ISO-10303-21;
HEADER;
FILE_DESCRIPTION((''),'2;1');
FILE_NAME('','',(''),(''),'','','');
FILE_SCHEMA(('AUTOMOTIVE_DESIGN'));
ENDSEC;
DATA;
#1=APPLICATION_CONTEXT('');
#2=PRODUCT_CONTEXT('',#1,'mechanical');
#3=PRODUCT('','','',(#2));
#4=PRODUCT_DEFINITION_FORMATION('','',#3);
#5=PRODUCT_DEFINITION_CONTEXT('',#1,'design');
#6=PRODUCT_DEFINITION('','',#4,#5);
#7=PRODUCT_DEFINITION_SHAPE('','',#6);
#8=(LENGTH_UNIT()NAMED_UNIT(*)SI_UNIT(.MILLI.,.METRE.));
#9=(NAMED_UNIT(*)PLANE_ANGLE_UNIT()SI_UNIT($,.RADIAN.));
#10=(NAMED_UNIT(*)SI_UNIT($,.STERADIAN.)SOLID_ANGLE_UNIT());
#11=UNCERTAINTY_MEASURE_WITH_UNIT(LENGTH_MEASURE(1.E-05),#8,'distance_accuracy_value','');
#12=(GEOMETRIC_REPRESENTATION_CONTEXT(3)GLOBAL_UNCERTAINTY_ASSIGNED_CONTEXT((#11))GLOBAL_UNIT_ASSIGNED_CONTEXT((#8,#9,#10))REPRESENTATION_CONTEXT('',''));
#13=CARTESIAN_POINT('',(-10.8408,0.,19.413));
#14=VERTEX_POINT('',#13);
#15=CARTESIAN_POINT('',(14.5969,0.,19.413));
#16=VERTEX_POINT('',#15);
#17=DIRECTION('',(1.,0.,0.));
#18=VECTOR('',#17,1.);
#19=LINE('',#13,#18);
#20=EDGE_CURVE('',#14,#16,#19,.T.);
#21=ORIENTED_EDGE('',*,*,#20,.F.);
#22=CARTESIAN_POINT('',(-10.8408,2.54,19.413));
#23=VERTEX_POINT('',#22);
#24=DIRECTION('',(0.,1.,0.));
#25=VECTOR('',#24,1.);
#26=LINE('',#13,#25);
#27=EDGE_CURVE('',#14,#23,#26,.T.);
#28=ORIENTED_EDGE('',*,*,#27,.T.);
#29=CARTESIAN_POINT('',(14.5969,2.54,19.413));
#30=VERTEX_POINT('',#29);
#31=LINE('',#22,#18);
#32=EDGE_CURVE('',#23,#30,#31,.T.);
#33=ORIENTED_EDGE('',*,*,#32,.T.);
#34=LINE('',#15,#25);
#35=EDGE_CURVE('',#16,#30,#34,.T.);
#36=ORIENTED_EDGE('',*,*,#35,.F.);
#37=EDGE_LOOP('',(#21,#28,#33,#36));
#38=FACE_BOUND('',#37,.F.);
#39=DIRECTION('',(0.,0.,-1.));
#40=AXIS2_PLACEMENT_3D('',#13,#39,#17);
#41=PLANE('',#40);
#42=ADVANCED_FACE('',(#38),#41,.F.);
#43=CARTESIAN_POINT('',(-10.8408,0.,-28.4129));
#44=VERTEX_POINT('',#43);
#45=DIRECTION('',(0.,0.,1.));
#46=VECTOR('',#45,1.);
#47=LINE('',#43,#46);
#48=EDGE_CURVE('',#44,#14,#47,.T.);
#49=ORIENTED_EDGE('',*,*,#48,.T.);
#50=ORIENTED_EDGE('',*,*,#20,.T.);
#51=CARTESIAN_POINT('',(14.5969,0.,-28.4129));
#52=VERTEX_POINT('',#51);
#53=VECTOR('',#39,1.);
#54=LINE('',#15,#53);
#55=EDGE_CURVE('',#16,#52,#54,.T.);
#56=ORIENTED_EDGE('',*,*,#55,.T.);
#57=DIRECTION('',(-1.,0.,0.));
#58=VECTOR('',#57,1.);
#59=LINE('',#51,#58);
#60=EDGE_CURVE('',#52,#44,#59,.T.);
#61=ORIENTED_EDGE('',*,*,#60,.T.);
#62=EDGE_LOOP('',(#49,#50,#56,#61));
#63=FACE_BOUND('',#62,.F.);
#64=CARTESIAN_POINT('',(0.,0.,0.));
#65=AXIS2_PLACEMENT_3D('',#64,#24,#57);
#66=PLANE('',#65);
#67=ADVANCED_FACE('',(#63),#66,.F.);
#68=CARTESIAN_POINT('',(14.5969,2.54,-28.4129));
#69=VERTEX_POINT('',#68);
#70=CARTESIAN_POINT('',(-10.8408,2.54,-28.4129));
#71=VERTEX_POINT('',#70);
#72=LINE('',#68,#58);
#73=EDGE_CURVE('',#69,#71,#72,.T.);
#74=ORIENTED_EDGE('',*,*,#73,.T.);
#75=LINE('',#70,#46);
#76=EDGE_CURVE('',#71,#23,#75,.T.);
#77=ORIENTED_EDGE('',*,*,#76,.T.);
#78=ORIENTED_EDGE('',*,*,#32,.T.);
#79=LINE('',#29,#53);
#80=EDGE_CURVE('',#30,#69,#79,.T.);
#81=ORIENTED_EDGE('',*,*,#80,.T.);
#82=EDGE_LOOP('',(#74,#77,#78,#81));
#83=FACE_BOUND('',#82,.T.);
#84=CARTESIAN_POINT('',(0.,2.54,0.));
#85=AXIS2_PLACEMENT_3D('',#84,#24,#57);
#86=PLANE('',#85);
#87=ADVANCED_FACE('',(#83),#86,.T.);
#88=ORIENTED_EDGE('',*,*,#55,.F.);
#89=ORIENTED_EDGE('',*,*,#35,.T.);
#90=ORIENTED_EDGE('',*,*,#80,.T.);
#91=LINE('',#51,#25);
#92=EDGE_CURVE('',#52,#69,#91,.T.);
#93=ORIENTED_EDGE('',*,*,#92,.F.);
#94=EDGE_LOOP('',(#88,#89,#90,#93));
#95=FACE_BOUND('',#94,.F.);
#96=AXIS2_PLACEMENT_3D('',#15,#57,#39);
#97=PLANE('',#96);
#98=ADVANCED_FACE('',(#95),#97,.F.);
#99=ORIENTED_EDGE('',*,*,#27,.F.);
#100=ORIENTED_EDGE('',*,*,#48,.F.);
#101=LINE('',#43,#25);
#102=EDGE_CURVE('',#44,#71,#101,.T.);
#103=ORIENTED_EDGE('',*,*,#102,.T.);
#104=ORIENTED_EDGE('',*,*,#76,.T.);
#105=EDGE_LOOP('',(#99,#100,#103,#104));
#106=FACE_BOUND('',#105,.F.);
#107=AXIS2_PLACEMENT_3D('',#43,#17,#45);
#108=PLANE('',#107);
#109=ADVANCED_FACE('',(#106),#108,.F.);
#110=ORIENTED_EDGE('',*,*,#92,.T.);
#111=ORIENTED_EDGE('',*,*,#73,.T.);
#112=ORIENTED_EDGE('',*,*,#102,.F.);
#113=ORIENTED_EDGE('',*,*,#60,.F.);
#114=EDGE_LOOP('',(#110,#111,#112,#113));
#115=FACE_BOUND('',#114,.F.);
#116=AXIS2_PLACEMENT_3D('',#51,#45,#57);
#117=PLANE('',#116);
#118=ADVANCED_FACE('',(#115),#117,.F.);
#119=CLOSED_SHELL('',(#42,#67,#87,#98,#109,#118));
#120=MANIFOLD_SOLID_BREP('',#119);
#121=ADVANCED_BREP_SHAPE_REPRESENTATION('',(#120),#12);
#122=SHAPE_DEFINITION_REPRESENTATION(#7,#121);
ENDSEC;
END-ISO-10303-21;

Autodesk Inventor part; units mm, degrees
ref_plane "YZ Plane" through (0, 0, 0) normal (1, 0, 0) x (0, 1, 0)
ref_plane "XZ Plane" through (0, 0, 0) normal (0, 1, 0) x (-1, 0, 0)
ref_plane "XY Plane" through (0, 0, 0) normal (0, 0, 1) x (1, 0, 0)
sketch "Sketch1" plane through (0, 0, 0) normal (0, 1, 0) x (-1, 0, 0)
  line L0 (10.8408, 19.413) -> (-14.5969, 19.413)
  line L1 (-14.5969, 19.413) -> (-14.5969, -28.4129)
  line L2 (-14.5969, -28.4129) -> (10.8408, -28.4129)
  line L3 (10.8408, -28.4129) -> (10.8408, 19.413)
extrude "Extrusion1" add sketch "Sketch1" along normal blind 2.54
